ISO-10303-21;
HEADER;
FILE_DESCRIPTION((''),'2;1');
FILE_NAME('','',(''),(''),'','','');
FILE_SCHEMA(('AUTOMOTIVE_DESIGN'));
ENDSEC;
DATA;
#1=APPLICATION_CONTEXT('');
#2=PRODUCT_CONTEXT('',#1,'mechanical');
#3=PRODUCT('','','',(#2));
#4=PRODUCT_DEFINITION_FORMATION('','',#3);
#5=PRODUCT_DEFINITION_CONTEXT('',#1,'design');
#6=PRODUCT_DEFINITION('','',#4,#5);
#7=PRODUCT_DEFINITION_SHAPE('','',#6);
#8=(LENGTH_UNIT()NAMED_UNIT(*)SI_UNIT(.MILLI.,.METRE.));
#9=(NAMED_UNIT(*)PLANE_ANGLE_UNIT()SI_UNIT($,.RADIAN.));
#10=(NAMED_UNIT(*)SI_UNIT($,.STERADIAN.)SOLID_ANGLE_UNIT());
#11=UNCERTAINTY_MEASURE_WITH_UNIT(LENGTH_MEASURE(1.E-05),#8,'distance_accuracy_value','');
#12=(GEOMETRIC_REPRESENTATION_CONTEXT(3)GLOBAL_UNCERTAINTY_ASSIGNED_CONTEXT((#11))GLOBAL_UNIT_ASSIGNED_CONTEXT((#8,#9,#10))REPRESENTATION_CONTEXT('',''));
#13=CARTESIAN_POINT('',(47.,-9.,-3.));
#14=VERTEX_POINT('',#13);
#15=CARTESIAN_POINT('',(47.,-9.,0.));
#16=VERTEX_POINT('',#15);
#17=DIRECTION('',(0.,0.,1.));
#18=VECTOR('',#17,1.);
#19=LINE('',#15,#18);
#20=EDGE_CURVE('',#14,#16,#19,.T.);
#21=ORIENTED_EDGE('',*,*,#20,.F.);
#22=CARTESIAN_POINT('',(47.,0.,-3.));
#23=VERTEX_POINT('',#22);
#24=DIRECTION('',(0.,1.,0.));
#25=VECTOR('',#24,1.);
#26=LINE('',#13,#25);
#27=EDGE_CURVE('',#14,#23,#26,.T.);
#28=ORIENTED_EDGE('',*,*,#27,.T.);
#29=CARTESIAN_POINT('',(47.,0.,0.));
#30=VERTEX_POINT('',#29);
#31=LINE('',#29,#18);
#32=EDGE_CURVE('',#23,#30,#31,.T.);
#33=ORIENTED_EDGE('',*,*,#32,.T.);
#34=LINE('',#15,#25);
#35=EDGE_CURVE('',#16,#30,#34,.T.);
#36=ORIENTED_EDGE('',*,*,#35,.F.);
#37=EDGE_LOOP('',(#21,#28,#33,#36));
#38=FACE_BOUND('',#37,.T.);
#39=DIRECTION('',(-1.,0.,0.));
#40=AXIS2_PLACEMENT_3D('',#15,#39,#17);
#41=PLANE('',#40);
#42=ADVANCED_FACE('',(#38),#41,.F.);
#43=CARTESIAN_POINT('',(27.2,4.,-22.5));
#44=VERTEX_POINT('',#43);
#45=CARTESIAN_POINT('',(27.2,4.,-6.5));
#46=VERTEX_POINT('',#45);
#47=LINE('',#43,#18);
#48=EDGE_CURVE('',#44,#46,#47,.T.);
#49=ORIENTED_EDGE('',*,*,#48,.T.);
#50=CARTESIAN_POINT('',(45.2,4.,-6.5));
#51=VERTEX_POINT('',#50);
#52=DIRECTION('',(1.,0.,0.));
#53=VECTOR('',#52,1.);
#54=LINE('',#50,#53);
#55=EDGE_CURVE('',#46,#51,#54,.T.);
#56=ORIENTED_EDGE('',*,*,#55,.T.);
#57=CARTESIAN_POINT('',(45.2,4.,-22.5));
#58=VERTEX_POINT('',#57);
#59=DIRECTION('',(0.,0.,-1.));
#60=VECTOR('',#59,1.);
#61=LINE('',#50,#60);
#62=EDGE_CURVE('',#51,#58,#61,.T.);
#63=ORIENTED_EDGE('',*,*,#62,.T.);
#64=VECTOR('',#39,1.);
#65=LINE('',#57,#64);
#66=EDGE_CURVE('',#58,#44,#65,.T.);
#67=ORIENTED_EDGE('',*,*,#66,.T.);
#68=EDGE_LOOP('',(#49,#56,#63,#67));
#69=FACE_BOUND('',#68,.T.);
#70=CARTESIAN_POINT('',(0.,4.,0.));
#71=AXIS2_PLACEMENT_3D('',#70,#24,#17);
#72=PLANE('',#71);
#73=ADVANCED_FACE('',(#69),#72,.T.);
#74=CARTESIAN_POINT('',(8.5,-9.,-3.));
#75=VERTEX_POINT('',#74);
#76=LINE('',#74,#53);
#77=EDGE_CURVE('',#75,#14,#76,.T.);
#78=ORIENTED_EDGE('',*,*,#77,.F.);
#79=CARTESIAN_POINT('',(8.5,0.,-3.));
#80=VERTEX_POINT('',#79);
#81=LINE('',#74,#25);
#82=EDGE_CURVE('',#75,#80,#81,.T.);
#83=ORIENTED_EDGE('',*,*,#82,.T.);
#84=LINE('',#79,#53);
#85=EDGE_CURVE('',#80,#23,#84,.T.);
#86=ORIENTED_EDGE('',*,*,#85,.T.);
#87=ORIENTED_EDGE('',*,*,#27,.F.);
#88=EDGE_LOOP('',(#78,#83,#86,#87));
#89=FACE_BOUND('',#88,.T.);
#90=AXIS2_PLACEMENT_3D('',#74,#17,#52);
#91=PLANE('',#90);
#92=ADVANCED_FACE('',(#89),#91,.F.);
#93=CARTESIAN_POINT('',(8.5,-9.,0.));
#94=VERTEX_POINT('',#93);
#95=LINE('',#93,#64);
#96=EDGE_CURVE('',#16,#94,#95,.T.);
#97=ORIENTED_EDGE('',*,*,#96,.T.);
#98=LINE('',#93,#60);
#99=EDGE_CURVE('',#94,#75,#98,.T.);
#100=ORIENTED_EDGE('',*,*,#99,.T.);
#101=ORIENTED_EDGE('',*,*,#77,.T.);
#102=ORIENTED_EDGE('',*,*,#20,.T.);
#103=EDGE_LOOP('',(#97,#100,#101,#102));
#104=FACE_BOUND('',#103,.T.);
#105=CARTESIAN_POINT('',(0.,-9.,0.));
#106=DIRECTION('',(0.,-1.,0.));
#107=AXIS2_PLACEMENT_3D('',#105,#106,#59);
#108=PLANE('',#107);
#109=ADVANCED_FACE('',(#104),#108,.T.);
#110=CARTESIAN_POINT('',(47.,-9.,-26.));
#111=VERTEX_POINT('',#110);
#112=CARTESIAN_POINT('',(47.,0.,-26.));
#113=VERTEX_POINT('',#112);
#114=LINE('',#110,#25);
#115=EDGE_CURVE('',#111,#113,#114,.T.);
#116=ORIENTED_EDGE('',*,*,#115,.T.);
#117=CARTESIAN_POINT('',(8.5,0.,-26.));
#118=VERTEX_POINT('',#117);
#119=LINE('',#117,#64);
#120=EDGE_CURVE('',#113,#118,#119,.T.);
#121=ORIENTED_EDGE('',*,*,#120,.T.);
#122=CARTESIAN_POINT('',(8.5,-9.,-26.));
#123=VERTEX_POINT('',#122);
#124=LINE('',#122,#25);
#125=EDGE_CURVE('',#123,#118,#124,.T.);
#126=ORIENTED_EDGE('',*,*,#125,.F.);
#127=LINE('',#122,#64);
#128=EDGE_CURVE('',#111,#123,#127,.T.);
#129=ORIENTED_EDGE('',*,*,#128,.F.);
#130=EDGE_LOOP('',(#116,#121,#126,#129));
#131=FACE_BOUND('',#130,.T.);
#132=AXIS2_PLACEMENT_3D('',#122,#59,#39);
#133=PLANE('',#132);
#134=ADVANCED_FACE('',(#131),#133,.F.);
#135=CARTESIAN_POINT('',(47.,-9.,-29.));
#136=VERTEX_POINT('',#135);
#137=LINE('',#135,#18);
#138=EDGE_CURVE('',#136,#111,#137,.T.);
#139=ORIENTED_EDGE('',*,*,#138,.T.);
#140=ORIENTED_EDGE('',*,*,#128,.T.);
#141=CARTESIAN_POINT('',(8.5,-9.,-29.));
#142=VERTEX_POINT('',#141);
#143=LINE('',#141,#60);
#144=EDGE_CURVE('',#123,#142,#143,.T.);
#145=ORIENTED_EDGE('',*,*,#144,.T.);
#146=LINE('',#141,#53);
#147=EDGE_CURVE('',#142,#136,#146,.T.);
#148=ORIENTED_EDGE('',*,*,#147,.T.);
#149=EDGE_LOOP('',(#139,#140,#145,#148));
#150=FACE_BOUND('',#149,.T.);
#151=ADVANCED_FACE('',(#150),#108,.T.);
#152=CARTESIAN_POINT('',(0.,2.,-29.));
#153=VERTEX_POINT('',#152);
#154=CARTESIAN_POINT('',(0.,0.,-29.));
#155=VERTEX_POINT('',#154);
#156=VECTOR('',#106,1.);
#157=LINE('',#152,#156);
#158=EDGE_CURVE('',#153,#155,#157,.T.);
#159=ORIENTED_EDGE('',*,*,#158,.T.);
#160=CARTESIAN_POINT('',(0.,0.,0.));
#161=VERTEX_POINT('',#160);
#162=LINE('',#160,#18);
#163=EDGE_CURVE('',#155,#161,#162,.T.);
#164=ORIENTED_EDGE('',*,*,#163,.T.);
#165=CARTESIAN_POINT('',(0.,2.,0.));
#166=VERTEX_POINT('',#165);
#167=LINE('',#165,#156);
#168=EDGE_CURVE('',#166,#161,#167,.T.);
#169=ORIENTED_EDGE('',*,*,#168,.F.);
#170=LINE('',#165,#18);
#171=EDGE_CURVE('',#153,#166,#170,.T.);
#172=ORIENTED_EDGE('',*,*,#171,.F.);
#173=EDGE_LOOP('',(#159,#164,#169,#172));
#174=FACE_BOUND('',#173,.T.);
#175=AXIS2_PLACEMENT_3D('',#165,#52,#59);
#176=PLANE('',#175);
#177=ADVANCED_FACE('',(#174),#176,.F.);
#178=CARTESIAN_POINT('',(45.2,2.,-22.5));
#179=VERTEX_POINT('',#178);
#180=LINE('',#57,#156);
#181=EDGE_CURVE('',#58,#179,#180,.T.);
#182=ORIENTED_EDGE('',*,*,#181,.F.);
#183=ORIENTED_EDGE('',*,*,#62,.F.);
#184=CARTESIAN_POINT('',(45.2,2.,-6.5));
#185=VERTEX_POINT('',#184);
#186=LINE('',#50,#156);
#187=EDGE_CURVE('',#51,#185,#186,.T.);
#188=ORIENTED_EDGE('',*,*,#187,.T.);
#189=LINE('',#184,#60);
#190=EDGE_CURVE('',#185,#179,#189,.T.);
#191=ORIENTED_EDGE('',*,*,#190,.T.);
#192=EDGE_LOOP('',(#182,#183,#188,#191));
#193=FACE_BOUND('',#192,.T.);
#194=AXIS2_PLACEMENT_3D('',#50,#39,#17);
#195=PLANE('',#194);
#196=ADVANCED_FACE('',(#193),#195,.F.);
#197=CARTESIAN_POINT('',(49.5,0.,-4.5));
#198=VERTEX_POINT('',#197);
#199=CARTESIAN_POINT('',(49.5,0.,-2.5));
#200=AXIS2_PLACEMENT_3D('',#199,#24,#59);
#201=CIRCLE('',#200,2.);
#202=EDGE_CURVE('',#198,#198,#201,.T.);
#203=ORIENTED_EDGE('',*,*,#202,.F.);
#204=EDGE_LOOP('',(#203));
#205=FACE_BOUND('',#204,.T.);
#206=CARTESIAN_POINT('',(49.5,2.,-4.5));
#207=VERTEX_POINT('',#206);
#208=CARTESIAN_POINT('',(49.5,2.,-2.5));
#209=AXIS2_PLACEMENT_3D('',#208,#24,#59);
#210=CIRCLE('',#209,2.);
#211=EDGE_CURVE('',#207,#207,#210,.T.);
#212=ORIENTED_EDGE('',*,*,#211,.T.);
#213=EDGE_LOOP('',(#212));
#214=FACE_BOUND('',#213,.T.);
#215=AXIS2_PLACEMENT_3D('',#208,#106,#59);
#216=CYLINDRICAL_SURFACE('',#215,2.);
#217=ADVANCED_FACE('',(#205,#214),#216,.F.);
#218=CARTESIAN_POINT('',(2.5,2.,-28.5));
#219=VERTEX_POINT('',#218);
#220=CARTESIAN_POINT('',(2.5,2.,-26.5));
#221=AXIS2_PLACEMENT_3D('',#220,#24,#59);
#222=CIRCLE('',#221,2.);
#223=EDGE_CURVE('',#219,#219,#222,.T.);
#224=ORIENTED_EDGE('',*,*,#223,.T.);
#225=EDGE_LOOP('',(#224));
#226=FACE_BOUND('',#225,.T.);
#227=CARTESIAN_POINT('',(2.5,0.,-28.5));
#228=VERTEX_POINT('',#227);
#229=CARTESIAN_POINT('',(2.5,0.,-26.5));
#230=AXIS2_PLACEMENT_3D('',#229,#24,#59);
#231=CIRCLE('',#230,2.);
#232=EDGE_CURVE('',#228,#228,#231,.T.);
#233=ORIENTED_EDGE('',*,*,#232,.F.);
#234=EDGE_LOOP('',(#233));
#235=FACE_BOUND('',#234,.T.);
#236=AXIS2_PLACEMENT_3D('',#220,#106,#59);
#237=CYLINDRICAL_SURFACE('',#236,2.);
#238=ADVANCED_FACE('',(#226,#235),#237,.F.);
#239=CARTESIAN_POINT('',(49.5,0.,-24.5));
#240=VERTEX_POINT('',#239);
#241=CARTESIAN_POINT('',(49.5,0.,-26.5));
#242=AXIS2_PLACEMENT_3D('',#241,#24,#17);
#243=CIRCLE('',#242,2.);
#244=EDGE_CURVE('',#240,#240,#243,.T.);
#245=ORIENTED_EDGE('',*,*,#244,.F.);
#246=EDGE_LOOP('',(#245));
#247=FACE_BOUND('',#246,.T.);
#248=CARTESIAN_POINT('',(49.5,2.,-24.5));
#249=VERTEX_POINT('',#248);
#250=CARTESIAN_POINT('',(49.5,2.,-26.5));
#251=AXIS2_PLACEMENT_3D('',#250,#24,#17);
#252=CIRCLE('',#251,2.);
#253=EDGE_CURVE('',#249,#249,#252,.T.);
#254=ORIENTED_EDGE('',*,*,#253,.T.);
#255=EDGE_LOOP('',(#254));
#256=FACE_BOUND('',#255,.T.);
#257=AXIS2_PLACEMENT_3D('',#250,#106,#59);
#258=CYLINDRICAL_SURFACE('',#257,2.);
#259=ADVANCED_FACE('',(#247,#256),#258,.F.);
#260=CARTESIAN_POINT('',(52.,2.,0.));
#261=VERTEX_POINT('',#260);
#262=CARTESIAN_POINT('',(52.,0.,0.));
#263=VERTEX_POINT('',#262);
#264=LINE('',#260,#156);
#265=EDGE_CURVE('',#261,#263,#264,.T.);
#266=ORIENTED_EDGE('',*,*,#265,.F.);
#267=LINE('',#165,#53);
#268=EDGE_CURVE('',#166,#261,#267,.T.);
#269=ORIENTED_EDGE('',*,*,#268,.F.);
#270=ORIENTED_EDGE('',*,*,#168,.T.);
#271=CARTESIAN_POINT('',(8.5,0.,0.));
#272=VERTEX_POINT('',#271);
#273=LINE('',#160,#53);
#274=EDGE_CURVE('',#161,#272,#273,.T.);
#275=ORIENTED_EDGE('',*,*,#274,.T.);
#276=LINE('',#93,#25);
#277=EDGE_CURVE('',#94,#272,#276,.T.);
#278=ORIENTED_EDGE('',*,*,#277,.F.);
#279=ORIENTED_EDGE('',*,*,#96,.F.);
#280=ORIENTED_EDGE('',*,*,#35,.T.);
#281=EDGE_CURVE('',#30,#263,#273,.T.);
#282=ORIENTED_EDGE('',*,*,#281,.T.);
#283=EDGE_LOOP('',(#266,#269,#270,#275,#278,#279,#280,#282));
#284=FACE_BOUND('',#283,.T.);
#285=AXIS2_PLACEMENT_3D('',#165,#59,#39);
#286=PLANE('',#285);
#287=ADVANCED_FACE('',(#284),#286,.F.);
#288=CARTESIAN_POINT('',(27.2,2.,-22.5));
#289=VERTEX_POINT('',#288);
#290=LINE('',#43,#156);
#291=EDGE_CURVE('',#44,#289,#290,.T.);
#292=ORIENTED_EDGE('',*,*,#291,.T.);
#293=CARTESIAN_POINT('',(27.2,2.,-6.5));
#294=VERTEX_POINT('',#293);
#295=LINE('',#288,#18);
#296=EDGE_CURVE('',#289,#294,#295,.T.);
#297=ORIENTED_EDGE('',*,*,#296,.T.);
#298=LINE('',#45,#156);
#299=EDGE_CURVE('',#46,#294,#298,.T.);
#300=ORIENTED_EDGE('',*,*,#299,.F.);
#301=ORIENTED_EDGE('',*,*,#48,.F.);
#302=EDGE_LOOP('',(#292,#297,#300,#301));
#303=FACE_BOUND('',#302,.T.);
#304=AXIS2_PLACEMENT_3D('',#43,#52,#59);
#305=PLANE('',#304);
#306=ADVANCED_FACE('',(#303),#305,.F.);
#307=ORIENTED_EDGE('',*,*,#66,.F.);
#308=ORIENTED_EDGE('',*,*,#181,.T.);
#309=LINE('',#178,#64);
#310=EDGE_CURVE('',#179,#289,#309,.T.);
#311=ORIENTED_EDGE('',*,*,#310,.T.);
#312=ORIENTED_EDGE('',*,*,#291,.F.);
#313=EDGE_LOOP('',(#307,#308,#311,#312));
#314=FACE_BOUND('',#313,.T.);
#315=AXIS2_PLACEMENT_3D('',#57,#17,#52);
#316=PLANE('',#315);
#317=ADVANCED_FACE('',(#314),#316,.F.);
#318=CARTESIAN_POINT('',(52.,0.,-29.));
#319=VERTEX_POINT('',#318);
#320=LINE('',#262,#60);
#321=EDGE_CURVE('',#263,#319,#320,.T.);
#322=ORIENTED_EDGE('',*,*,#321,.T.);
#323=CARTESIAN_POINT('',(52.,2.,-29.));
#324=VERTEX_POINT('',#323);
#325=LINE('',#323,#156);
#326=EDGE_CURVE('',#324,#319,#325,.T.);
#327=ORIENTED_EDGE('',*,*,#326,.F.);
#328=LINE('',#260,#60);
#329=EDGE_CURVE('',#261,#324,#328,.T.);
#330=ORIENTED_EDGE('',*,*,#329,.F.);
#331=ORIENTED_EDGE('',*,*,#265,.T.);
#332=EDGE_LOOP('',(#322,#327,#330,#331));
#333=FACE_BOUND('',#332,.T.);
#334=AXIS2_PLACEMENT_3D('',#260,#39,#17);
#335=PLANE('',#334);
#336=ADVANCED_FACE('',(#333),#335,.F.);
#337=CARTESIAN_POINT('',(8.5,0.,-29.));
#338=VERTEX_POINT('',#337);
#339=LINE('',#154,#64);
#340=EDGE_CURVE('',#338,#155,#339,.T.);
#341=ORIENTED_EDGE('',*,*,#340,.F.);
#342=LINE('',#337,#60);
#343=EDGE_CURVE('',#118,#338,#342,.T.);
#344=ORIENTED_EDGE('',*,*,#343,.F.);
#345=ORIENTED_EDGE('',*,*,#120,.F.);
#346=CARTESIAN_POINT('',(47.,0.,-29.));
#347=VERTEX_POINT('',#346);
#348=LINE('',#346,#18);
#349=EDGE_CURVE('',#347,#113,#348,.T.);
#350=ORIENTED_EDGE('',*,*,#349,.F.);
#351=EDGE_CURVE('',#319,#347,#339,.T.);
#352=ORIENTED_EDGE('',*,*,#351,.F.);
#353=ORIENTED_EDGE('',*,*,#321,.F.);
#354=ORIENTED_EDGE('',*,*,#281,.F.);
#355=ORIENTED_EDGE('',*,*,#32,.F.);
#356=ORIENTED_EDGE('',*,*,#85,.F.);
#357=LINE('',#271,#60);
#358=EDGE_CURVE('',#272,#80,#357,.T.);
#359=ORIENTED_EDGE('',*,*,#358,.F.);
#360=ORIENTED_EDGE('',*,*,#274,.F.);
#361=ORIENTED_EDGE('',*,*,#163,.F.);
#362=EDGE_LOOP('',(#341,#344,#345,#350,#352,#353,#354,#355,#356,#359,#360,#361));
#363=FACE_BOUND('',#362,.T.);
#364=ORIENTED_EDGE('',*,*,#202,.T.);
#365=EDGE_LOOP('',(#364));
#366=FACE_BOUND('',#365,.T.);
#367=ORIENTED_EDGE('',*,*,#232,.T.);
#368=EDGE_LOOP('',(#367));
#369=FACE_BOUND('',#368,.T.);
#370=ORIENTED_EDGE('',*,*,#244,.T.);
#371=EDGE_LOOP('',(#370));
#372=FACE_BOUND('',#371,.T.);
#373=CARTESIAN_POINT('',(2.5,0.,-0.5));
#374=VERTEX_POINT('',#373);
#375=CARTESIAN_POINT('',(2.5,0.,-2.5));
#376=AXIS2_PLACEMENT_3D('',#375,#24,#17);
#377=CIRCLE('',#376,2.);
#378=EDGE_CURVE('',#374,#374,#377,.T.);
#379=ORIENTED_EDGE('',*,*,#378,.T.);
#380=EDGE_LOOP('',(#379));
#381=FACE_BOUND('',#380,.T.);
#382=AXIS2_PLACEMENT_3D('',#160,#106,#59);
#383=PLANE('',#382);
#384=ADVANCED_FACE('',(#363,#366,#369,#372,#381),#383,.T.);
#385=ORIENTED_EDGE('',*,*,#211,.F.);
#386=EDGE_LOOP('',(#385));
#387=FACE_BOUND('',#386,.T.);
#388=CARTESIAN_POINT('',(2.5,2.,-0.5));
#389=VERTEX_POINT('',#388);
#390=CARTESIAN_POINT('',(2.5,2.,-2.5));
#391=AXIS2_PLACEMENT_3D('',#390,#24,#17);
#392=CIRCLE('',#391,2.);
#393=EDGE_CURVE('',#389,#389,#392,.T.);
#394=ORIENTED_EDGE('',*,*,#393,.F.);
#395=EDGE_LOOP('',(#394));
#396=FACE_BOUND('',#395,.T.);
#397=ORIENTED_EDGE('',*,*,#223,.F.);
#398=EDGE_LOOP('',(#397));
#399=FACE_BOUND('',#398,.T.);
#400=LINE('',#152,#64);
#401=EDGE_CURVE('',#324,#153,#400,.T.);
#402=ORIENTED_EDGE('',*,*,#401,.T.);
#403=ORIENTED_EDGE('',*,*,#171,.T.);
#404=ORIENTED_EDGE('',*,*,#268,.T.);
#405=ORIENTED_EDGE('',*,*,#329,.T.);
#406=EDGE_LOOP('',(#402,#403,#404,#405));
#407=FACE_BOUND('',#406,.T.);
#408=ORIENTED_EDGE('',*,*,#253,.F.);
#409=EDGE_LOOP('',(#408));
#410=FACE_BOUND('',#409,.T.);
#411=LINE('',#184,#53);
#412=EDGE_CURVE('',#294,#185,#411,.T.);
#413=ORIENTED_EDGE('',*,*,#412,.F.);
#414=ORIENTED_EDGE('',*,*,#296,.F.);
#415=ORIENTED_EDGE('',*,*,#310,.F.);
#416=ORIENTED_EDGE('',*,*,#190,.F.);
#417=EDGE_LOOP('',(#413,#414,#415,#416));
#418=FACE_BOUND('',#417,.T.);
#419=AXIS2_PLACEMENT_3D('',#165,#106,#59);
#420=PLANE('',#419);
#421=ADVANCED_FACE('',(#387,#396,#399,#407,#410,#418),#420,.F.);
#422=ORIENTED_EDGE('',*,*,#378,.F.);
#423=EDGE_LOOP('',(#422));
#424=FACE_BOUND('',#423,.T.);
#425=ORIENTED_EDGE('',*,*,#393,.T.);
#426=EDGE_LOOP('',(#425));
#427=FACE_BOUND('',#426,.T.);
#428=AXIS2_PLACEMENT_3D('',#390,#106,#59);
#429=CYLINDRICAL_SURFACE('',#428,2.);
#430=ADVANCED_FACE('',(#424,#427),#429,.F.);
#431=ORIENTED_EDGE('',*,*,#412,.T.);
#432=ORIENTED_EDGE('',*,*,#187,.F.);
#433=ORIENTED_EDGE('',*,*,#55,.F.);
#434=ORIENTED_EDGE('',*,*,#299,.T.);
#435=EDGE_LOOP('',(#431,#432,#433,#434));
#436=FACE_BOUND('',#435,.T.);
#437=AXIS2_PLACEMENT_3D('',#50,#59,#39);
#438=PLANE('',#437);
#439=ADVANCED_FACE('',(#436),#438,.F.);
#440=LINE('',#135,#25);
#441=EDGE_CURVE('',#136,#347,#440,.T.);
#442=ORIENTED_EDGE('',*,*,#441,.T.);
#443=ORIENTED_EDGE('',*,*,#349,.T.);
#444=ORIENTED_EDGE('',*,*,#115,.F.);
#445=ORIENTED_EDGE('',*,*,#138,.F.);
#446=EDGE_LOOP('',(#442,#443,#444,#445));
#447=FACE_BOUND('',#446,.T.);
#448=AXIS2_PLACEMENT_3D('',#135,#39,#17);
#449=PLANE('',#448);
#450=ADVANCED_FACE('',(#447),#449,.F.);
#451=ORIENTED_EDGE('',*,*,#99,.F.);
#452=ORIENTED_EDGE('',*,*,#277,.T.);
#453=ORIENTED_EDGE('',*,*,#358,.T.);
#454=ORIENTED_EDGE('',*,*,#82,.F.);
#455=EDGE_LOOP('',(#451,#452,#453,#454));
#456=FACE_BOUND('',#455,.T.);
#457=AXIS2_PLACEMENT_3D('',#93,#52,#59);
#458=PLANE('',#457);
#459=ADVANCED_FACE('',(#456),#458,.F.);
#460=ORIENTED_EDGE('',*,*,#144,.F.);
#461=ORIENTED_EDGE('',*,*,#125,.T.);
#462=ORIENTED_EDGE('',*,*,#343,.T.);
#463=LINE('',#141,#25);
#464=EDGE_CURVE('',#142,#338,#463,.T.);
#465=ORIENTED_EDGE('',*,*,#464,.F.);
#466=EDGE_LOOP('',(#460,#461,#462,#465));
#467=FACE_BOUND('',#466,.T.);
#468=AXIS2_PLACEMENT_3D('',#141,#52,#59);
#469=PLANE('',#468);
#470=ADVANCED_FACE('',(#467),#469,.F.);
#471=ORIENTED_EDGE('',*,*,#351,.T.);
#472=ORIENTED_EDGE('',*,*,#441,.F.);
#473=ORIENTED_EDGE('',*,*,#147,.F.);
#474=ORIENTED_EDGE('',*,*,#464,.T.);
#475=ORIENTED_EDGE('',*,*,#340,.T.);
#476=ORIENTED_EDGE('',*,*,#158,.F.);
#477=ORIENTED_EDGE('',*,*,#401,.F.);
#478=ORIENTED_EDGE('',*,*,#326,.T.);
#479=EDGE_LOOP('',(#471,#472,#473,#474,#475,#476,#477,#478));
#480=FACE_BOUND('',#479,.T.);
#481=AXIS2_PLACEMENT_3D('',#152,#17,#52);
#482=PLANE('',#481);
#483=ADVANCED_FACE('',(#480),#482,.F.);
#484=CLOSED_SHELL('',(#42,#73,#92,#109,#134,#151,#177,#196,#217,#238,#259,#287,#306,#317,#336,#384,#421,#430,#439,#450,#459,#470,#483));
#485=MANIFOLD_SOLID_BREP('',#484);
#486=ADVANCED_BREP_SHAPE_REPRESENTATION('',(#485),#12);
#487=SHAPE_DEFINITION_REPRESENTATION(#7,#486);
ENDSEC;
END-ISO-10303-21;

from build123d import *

# Parameters (mm, degrees)
SKETCH_1_W      = 52
SKETCH_1_H      = 29
SKETCH_1_R      = 2
EXTRUDE_1_DEPTH = 2
SKETCH_2_W      = 18
SKETCH_2_H      = 16
EXTRUDE_2_DEPTH = 2
SKETCH_3_W      = 38.5
SKETCH_3_H      = 3
EXTRUDE_3_DEPTH = 9


with BuildPart() as part:
    # 草图1 → 凸台-拉伸1 (new body)
    with BuildSketch(Plane(origin=(0, 0, 0), x_dir=(1, 0, 0), z_dir=(0, 1, 0))):
        with Locations((26, 14.5)):
            Rectangle(SKETCH_1_W, SKETCH_1_H)
        with Locations(Location((49.5, 26.5, 0), (0, 0, 270))):
            Circle(SKETCH_1_R, mode=Mode.SUBTRACT)
        with Locations(Location((49.5, 2.5, 0), (0, 0, 90))):
            Circle(SKETCH_1_R, mode=Mode.SUBTRACT)
        with Locations(Location((2.5, 2.5, 0), (0, 0, 270))):
            Circle(SKETCH_1_R, mode=Mode.SUBTRACT)
        with Locations(Location((2.5, 26.5, 0), (0, 0, 90))):
            Circle(SKETCH_1_R, mode=Mode.SUBTRACT)
    extrude(amount=EXTRUDE_1_DEPTH)

    # 草图2 → 凸台-拉伸2 (add)
    with BuildSketch(Plane(origin=(0, 2, 0), x_dir=(1, 0, 0), z_dir=(0, 1, 0))):
        with Locations((36.2, 14.5)):
            Rectangle(SKETCH_2_W, SKETCH_2_H)
    extrude(amount=EXTRUDE_2_DEPTH)

    # 草图3 → 凸台-拉伸3 (add)
    with BuildSketch(Plane.XZ):
        with Locations((27.75, -1.5)):
            Rectangle(SKETCH_3_W, SKETCH_3_H)
        with Locations((27.75, -27.5)):
            Rectangle(SKETCH_3_W, SKETCH_3_H)
    extrude(amount=EXTRUDE_3_DEPTH)


solid = part.part
